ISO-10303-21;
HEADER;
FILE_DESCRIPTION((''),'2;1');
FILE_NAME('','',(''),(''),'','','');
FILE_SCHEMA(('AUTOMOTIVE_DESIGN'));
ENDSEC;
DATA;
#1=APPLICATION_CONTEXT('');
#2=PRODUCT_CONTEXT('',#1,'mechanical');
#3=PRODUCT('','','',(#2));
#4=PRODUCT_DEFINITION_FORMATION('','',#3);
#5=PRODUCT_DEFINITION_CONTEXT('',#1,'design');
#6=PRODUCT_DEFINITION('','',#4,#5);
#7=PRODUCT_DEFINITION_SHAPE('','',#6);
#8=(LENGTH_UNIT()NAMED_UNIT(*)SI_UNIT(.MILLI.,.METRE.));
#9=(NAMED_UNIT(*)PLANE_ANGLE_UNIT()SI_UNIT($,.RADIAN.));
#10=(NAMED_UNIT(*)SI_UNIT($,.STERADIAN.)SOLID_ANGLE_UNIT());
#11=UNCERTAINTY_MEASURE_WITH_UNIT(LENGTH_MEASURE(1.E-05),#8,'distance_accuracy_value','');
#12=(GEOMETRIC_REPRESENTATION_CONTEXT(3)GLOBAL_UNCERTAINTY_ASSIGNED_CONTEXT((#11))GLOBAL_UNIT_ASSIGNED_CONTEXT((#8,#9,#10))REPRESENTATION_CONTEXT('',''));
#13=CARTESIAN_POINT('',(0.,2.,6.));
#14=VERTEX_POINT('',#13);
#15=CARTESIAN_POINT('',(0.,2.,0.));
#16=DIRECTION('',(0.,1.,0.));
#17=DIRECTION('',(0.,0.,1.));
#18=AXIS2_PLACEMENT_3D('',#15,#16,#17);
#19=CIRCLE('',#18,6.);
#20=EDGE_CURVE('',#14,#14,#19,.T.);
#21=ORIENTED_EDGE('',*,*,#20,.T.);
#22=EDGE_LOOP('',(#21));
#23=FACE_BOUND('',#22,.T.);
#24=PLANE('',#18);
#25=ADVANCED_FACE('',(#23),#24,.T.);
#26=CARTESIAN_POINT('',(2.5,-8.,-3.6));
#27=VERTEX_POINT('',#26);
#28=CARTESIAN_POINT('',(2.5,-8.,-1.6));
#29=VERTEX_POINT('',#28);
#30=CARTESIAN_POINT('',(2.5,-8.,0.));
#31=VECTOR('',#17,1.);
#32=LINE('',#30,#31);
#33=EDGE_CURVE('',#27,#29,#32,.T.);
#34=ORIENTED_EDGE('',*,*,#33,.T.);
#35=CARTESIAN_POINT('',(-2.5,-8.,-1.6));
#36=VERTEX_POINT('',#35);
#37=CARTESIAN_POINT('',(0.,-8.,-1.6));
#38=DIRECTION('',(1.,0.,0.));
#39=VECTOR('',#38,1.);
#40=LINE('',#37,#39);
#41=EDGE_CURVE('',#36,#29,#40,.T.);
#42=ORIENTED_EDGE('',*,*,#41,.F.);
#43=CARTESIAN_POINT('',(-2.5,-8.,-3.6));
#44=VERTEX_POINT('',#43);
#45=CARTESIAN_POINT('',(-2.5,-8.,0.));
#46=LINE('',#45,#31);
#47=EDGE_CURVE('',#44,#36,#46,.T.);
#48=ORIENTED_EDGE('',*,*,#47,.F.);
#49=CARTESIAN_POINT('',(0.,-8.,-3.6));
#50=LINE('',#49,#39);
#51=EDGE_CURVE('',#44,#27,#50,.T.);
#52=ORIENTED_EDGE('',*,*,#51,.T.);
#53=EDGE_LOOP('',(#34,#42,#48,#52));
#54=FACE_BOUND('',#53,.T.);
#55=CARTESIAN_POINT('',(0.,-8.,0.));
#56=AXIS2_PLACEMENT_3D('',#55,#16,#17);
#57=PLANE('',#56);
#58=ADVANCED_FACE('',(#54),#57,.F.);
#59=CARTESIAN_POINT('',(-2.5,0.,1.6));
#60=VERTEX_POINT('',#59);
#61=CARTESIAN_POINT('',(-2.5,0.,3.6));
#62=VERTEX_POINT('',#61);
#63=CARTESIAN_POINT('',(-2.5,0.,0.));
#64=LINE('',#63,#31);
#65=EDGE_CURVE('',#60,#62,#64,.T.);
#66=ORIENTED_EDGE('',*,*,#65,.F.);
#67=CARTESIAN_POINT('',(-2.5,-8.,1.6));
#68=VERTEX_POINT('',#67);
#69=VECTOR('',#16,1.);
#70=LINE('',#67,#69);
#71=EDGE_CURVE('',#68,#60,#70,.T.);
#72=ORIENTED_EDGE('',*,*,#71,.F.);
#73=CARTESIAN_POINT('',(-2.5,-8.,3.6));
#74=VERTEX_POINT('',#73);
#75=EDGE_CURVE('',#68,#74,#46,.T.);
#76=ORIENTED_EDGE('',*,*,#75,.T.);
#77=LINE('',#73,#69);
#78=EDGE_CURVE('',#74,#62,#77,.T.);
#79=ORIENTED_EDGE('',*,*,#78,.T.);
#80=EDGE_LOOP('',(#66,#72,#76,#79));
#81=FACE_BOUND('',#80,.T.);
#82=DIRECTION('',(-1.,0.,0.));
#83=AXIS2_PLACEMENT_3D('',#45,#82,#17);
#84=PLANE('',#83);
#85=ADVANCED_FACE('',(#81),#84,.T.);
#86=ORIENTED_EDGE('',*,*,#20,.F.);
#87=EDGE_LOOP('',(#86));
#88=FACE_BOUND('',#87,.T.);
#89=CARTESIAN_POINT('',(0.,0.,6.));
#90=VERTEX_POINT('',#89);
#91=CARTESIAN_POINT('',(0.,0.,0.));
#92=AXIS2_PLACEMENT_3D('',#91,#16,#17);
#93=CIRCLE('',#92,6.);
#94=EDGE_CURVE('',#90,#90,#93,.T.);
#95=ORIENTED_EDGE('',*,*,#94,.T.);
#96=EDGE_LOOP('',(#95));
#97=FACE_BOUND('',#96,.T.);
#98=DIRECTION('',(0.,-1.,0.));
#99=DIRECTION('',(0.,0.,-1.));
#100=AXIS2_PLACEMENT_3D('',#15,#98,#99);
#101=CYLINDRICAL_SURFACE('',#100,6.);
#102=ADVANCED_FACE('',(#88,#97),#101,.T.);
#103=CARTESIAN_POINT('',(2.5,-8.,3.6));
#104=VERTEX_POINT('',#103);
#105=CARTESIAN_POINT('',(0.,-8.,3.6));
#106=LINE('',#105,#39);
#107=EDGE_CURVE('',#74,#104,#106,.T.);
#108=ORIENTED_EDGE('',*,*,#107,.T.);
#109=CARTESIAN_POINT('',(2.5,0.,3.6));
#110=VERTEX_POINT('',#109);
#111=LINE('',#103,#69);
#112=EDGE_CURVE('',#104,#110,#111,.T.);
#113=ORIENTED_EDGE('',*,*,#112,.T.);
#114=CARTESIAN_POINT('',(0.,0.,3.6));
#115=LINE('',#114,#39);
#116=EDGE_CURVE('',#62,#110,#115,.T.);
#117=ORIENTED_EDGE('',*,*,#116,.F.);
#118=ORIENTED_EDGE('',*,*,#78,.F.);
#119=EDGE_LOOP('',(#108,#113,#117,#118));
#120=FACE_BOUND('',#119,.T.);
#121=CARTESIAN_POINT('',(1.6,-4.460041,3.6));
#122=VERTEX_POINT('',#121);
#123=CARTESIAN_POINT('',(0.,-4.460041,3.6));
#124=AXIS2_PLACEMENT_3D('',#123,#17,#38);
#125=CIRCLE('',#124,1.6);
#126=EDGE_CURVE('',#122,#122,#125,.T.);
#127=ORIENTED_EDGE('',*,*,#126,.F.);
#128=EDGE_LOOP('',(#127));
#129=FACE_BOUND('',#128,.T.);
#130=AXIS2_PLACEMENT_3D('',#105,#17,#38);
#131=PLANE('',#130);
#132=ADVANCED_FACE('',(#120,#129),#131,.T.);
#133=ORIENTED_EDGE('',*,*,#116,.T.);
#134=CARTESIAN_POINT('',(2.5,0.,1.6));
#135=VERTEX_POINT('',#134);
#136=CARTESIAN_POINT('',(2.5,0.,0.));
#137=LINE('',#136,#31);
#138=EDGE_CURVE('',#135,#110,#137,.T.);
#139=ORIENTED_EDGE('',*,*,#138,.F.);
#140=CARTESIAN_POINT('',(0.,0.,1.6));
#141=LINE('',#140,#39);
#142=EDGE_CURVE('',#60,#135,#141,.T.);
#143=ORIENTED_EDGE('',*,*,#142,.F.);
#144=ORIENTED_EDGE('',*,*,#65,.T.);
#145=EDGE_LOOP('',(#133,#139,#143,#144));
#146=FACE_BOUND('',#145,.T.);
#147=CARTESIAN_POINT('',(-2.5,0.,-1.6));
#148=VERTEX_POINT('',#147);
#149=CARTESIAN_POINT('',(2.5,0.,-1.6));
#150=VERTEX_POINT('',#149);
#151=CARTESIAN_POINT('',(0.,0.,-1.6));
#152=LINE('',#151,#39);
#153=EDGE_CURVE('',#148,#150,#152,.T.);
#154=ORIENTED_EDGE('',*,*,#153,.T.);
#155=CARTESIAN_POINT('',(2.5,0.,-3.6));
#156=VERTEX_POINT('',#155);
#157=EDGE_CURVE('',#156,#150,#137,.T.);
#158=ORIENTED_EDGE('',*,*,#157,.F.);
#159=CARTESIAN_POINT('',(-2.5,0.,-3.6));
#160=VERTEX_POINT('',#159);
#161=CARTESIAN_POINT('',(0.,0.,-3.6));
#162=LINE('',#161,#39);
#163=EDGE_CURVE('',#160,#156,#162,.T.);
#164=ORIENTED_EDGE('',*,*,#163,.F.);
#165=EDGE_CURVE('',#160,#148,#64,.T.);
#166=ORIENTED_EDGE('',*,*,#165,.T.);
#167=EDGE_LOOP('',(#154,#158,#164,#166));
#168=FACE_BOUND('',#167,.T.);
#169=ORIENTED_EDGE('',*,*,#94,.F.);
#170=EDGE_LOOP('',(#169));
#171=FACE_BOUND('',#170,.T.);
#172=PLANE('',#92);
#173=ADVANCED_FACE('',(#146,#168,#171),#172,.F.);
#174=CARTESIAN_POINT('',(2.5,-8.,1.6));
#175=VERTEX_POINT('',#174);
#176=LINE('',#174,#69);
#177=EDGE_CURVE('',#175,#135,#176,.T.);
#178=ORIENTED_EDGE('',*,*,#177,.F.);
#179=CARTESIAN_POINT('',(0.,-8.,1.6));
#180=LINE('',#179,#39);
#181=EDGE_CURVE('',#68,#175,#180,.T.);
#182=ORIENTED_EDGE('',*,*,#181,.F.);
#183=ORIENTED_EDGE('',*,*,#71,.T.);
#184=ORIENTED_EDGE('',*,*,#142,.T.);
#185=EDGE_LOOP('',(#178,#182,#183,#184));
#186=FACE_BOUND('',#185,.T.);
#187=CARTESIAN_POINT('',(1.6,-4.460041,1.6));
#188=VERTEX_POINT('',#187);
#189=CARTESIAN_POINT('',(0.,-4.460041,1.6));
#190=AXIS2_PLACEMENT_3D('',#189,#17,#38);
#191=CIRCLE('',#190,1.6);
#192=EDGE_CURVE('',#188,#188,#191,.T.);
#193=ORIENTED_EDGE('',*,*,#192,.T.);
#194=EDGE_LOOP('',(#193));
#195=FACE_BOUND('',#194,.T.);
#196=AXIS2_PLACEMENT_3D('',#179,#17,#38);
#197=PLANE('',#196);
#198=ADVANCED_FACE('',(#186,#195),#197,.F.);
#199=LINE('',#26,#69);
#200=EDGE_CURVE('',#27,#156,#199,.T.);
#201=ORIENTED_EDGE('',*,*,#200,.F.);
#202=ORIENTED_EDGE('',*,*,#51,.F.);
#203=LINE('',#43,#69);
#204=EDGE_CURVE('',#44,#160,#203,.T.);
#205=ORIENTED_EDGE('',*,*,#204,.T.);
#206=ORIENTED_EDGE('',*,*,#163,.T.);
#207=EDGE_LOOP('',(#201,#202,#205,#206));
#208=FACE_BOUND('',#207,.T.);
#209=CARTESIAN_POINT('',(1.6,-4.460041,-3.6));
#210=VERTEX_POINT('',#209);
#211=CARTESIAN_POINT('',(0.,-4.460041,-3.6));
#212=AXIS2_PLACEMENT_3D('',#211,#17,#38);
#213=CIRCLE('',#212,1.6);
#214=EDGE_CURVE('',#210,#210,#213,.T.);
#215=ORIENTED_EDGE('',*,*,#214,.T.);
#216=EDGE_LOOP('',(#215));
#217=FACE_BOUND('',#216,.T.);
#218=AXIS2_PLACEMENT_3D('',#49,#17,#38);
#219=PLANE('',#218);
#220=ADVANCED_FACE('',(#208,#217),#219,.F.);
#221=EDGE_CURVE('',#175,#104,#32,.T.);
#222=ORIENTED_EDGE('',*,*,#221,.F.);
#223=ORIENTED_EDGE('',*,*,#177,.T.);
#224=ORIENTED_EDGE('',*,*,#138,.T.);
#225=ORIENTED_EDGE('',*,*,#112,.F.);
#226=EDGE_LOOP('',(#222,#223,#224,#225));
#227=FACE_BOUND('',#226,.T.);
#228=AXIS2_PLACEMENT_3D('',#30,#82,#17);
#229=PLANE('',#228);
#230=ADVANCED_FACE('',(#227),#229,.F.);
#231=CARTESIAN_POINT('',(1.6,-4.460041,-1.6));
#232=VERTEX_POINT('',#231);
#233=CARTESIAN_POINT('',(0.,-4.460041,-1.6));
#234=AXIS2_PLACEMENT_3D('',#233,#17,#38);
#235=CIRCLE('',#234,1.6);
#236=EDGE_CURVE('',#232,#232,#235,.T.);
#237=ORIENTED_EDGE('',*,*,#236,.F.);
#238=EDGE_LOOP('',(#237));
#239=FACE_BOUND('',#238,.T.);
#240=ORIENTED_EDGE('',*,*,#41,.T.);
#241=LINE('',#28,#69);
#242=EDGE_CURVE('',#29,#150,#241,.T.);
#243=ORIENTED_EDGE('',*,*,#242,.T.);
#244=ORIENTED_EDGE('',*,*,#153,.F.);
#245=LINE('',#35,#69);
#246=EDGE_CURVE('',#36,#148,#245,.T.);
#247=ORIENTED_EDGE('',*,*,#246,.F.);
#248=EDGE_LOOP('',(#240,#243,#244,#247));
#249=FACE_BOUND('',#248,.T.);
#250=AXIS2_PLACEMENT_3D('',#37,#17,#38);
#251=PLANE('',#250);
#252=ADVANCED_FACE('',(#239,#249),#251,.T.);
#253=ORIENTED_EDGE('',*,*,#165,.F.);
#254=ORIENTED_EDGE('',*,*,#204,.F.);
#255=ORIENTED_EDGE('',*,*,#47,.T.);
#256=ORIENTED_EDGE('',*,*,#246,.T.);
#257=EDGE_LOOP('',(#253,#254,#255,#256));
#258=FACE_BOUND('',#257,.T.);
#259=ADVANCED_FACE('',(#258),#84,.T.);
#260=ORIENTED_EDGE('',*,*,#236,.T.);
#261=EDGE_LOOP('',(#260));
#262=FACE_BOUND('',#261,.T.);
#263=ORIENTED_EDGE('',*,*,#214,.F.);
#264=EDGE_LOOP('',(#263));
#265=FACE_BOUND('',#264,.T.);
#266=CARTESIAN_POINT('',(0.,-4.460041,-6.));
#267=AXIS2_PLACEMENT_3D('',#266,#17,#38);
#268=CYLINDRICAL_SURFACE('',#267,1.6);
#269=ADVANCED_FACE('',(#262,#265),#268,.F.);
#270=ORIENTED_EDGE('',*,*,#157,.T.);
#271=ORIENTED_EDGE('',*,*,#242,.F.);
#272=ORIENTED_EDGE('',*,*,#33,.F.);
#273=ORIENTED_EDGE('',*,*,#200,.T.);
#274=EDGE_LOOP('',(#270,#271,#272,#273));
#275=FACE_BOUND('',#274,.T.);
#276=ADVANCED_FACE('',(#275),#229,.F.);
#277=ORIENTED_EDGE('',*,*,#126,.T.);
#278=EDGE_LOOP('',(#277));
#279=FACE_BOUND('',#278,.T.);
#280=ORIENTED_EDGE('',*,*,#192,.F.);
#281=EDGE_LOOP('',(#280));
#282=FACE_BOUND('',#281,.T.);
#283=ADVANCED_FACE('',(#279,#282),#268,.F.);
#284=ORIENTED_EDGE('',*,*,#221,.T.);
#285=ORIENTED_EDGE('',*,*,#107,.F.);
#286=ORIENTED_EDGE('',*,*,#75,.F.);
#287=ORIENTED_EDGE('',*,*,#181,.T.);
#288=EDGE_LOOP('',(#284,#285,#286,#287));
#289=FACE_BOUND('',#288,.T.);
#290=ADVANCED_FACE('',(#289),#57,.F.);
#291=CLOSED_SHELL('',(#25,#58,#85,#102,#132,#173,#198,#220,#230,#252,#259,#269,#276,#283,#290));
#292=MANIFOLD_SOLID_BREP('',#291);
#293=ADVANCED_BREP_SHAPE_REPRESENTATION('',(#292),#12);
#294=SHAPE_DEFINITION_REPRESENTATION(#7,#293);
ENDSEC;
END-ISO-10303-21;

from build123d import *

# Parameters (mm, degrees)
SKETCH_1_R          = 6
EXTRUDE_1_DEPTH     = 2
SKETCH_1_3_W        = 5
SKETCH_1_3_H        = 2
EXTRUDE_2_DEPTH     = 8
SKETCH_2_R          = 1.6
CUT_EXTRUDE_1_DEPTH = 14.862178761


with BuildPart() as part:
    # 草图1 → 凸台-拉伸1 (new body)
    with BuildSketch(Plane(origin=(0, 0, 0), x_dir=(1, 0, 0), z_dir=(0, 1, 0))):
        Circle(SKETCH_1_R)
    extrude(amount=EXTRUDE_1_DEPTH)

    # 草图1<3> → 凸台-拉伸2 (add)
    with BuildSketch(Plane(origin=(0, 0, 0), x_dir=(1, 0, 0), z_dir=(0, 1, 0))):
        with Locations((0, 2.6)):
            Rectangle(SKETCH_1_3_W, SKETCH_1_3_H)
        with Locations((0, -2.6)):
            Rectangle(SKETCH_1_3_W, SKETCH_1_3_H)
    extrude(amount=-EXTRUDE_2_DEPTH)

    # 草图2 → 切除-拉伸1 (cut, through all)
    with BuildSketch(Plane.XY.offset(3.6)):
        with Locations((0, -4.46004136)):
            Circle(SKETCH_2_R)
    extrude(amount=-CUT_EXTRUDE_1_DEPTH, mode=Mode.SUBTRACT)


solid = part.part
